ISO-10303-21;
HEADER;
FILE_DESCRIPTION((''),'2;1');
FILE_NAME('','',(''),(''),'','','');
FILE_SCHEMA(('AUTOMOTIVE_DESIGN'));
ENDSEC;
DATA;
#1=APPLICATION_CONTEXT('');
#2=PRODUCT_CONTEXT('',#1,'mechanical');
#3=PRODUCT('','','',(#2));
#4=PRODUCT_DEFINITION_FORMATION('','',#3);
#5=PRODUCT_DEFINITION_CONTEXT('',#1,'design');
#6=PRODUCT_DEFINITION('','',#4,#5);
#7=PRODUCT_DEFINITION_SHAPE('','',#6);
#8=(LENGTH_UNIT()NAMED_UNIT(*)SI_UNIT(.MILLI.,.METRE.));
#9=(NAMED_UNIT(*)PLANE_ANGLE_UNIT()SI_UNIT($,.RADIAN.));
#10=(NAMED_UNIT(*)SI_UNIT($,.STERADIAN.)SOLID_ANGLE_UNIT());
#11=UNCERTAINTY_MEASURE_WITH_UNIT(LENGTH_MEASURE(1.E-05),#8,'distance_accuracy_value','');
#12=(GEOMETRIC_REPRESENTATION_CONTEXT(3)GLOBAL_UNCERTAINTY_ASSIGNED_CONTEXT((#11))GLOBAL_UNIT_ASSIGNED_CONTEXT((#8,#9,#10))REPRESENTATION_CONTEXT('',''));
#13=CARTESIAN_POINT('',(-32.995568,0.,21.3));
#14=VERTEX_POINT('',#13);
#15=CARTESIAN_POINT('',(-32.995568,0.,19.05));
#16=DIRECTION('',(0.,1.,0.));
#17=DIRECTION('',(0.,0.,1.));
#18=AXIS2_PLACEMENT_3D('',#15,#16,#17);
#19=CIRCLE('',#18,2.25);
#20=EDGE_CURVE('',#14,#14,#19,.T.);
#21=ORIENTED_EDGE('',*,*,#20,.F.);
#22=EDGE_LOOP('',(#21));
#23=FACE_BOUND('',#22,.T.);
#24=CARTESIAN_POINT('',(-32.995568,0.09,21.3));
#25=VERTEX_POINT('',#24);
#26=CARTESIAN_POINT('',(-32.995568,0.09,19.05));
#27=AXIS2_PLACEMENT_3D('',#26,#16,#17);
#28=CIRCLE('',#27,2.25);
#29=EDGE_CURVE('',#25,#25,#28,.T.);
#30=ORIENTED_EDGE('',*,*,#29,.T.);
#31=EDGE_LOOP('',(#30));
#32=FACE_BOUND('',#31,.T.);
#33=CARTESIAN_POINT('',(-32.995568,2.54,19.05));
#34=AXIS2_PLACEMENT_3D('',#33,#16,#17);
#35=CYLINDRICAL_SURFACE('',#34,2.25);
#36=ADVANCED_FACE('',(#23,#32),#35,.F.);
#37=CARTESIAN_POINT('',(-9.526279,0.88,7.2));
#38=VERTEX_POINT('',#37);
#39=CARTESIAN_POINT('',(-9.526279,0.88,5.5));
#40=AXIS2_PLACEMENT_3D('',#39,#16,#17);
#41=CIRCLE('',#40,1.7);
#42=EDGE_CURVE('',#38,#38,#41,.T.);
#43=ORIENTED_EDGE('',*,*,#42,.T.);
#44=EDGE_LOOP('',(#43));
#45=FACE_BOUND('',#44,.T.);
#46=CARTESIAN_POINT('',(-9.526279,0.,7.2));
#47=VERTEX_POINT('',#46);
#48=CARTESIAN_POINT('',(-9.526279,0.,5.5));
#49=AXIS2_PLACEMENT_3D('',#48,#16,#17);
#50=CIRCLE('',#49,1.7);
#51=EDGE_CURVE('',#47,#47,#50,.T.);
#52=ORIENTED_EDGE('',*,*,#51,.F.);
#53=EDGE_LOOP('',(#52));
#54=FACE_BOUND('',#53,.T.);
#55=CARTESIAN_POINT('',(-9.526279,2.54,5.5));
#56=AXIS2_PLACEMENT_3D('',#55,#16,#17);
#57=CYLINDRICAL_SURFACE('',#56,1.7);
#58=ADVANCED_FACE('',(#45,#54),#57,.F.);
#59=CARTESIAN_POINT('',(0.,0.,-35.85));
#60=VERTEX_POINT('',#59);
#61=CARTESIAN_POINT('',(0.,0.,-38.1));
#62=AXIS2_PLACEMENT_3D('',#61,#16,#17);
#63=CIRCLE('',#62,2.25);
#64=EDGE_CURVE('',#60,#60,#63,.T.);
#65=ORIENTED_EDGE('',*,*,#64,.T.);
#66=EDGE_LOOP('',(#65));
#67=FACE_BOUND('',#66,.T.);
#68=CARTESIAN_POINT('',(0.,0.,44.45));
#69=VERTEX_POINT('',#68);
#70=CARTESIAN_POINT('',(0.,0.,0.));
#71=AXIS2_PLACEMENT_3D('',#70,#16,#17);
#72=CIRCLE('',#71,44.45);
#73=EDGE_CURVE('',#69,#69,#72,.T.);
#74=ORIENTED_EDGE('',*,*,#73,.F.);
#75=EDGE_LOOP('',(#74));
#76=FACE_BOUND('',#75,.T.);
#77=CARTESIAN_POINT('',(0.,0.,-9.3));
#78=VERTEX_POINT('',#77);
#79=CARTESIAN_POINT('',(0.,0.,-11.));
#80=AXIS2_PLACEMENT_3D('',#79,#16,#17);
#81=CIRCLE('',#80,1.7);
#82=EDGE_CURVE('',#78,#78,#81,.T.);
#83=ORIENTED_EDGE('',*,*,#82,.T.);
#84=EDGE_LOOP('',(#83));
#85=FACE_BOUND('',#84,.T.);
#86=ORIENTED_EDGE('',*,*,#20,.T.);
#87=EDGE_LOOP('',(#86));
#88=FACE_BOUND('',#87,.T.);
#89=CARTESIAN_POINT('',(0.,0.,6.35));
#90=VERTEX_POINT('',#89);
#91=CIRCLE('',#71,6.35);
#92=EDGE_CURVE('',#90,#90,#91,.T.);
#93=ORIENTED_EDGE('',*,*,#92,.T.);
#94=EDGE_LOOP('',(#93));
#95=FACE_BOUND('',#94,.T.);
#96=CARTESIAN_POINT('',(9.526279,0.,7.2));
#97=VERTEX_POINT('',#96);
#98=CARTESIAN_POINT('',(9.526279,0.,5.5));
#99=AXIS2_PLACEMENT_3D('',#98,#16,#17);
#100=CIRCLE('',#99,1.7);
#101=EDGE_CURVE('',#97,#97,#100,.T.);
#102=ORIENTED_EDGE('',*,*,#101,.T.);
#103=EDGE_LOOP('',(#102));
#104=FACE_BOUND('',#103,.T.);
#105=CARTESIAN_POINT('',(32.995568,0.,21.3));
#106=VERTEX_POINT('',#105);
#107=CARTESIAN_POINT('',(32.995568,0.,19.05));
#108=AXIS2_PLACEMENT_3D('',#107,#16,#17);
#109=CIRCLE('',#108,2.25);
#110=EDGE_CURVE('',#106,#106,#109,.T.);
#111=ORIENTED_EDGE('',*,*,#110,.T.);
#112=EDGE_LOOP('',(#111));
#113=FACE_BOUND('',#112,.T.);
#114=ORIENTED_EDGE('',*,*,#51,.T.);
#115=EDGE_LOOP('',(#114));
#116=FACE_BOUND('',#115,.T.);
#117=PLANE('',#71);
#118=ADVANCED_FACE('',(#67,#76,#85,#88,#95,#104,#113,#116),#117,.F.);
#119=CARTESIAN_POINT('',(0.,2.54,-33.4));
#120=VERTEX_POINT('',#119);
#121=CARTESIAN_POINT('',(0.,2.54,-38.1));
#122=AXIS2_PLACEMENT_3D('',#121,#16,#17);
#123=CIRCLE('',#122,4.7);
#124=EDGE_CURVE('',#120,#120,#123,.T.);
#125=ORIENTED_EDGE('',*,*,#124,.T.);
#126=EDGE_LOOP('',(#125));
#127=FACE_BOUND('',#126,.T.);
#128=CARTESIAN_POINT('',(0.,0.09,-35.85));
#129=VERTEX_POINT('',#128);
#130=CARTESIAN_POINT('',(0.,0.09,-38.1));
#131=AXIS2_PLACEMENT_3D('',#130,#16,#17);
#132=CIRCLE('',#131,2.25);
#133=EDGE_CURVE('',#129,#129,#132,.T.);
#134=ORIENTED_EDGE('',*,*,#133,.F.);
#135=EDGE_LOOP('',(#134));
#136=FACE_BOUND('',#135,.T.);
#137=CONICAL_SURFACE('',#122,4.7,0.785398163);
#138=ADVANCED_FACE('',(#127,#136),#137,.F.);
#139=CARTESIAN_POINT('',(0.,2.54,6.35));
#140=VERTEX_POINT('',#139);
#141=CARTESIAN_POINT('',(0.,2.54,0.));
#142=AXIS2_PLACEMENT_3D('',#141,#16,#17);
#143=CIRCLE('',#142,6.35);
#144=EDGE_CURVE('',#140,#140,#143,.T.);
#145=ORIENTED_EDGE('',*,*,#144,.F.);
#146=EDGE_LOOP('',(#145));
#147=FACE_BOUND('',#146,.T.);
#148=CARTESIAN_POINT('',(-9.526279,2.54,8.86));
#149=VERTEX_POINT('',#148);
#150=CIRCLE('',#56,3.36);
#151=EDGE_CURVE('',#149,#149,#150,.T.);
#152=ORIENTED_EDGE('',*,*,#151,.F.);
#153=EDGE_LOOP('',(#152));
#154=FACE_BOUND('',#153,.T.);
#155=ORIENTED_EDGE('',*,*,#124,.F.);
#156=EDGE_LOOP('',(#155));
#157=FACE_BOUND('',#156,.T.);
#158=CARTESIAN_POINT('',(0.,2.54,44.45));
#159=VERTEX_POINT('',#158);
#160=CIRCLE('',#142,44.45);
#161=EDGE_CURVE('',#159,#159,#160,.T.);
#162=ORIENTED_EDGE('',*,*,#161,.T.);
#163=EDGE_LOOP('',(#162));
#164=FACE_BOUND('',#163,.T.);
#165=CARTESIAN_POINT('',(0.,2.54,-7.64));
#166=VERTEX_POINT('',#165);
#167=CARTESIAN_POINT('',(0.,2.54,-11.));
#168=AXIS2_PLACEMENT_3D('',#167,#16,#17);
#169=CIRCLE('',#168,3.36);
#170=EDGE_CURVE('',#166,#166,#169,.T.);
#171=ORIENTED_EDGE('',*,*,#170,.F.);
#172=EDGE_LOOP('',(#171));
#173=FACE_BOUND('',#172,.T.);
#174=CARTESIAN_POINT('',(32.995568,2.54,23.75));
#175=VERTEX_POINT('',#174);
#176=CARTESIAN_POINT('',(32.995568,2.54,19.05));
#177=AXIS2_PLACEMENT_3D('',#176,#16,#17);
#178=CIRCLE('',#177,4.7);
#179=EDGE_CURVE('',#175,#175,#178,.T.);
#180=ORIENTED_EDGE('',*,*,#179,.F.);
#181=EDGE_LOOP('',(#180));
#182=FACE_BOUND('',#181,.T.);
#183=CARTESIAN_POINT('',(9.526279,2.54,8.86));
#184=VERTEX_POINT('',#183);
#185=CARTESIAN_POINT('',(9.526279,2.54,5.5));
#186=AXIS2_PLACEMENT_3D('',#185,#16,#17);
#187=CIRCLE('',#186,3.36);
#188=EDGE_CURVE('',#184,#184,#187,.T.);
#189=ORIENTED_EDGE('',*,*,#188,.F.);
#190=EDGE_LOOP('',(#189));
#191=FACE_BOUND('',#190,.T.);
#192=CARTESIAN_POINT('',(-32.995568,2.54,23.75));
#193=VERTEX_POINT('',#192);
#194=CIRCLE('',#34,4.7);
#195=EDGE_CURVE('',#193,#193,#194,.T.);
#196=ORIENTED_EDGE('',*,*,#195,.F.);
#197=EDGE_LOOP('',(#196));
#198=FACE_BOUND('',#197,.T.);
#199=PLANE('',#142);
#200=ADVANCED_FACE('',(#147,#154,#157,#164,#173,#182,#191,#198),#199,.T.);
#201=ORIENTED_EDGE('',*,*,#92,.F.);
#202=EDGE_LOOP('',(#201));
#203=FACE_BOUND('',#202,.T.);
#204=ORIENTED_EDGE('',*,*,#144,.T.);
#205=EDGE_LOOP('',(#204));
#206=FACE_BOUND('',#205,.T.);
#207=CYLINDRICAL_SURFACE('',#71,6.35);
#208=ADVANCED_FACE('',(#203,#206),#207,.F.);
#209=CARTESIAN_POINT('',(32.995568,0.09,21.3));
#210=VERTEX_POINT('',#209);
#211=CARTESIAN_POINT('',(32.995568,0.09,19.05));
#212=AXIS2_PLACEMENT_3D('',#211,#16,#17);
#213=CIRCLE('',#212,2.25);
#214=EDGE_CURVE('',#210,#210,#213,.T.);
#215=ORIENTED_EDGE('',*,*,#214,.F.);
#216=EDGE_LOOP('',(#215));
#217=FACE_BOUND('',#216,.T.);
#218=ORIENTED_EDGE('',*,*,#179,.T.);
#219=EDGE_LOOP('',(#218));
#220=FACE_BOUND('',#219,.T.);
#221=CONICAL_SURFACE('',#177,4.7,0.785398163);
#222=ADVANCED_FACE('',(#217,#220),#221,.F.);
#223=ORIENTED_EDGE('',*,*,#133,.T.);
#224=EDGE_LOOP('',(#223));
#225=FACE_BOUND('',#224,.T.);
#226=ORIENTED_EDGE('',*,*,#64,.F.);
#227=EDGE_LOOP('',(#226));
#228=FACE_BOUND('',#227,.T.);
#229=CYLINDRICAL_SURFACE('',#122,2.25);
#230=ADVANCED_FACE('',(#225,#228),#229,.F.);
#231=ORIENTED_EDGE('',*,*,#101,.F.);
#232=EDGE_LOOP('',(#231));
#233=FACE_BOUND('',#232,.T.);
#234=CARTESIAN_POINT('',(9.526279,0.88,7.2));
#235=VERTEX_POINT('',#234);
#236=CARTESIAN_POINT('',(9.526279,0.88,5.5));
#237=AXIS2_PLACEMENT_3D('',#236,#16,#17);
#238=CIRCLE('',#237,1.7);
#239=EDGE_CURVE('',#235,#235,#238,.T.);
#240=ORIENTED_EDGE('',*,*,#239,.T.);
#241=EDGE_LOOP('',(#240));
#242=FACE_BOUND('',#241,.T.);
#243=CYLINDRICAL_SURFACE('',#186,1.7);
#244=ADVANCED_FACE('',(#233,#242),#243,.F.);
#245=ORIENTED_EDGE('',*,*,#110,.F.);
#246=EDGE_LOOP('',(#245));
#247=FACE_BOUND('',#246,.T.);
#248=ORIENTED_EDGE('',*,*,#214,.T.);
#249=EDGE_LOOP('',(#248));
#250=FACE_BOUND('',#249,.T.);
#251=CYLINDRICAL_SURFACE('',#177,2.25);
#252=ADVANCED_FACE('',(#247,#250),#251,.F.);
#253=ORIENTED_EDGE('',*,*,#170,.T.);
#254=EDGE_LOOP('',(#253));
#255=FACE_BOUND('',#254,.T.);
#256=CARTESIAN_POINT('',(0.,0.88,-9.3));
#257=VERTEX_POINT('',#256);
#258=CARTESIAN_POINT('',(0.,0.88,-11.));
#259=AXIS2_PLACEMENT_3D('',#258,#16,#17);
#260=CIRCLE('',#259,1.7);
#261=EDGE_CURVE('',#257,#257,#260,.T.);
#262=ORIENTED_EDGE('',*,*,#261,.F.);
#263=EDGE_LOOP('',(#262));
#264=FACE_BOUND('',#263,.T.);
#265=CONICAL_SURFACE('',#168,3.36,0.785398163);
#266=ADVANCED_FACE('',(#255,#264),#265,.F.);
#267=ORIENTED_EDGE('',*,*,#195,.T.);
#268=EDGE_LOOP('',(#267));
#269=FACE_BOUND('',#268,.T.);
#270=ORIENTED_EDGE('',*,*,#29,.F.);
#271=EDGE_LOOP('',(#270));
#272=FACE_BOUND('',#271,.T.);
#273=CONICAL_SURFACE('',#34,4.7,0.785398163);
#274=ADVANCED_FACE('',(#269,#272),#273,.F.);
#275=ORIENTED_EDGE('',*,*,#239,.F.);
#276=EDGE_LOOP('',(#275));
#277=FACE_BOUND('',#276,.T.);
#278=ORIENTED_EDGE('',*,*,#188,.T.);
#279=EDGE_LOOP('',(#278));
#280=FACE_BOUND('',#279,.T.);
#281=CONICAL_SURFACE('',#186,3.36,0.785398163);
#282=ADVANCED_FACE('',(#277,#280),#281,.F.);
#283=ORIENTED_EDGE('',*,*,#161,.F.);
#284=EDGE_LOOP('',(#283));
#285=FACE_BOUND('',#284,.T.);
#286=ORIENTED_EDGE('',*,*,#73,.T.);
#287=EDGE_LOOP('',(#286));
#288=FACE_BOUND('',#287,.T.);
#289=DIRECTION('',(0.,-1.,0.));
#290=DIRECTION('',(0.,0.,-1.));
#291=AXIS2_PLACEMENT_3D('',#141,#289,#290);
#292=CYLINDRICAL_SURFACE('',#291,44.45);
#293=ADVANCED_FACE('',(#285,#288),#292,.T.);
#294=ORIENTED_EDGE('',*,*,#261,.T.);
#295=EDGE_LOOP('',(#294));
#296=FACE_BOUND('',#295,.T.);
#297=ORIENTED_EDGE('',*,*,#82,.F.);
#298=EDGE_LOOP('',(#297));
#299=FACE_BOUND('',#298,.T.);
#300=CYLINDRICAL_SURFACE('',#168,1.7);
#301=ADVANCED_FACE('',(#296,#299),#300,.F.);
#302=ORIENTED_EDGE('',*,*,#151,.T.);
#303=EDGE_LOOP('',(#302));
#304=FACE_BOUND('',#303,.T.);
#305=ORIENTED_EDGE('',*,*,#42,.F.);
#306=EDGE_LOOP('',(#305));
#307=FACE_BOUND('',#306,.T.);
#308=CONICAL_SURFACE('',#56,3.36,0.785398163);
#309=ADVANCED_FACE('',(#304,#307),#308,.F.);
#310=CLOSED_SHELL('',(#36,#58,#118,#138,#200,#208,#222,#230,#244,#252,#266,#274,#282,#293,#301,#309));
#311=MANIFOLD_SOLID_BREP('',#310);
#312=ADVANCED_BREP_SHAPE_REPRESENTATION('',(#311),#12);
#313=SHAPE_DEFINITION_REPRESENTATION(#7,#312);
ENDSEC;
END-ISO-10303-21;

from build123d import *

# Parameters (mm, degrees)
SKETCH1_R                                      = 44.45
BOSS_EXTRUDE1_DEPTH                            = 2.54
CSK_FOR_M4_FLAT_HEAD_MACHINE_SCREW1_AT_2_COUNT = 2
CSK_FOR_M4_FLAT_HEAD_MACHINE_SCREW1_AT_2_PITCH = 65.991135768
CSK_FOR_M4_FLAT_HEAD_MACHINE_SCREW1_AT_3_COUNT = 2
CSK_FOR_M4_FLAT_HEAD_MACHINE_SCREW1_AT_3_PITCH = 65.991135768
SKETCH11_R                                     = 6.35
CUT_EXTRUDE1_DEPTH                             = 63.913087669
CSK_FOR_M3_SFHCS1_AT_2_COUNT                   = 2
CSK_FOR_M3_SFHCS1_AT_2_PITCH                   = 19.052558883
CSK_FOR_M3_SFHCS1_AT_3_COUNT                   = 2
CSK_FOR_M3_SFHCS1_AT_3_PITCH                   = 19.052558883


with BuildPart() as part:
    # Sketch1 → Boss-Extrude1 (new body)
    with BuildSketch(Plane(origin=(0, 0, 0), x_dir=(1, 0, 0), z_dir=(0, 1, 0))):
        with Locations(Location((0, 0, 0), (0, 0, 270))):
            Circle(SKETCH1_R)
    extrude(amount=BOSS_EXTRUDE1_DEPTH)

    # Sketch8 → CSK for M4 Flat Head Machine Screw1 (revolve, cut)
    with BuildSketch(Plane(origin=(0, 2.54, -38.1), x_dir=(0, 0, 1), z_dir=(1, 0, 0))):
        Polygon((0, 0), (0, 2.54), (2.25, 2.54), (2.25, 2.45), (4.7, 0), align=None)
    csk_for_m4_flat_head_machine_screw1 = revolve(axis=Axis((0, 8.89, -38.1), (0, -1, 0)), mode=Mode.SUBTRACT)

    # CSK for M4 Flat Head Machine Screw1 at 2: CSK for M4 Flat Head Machine Screw1 ×2
    with Locations(*[Vector(-0.5000000000000039, 0, 0.8660254037844365) * (i * CSK_FOR_M4_FLAT_HEAD_MACHINE_SCREW1_AT_2_PITCH) for i in range(1, CSK_FOR_M4_FLAT_HEAD_MACHINE_SCREW1_AT_2_COUNT)]):
        add(csk_for_m4_flat_head_machine_screw1, mode=Mode.SUBTRACT)

    # CSK for M4 Flat Head Machine Screw1 at 3: CSK for M4 Flat Head Machine Screw1 ×2
    with Locations(*[Vector(0.4999999999999982, 0, 0.8660254037844397) * (i * CSK_FOR_M4_FLAT_HEAD_MACHINE_SCREW1_AT_3_PITCH) for i in range(1, CSK_FOR_M4_FLAT_HEAD_MACHINE_SCREW1_AT_3_COUNT)]):
        add(csk_for_m4_flat_head_machine_screw1, mode=Mode.SUBTRACT)

    # Sketch11 → Cut-Extrude1 (cut, through all)
    with BuildSketch(Plane(origin=(0, 2.54, 0), x_dir=(1, 0, 0), z_dir=(0, 1, 0))):
        with Locations(Location((0, 0, 0), (0, 0, 270))):
            Circle(SKETCH11_R)
    extrude(amount=-CUT_EXTRUDE1_DEPTH, mode=Mode.SUBTRACT)

    # Sketch13 → CSK for M3 SFHCS1 (revolve, cut)
    with BuildSketch(Plane(origin=(0, 2.54, -11), x_dir=(0, 0, 1), z_dir=(1, 0, 0))):
        Polygon((0, 0), (0, 2.54), (1.7, 2.54), (1.7, 1.66), (3.36, 0), align=None)
    csk_for_m3_sfhcs1 = revolve(axis=Axis((0, 8.89, -11), (0, -1, 0)), mode=Mode.SUBTRACT)

    # CSK for M3 SFHCS1 at 2: CSK for M3 SFHCS1 ×2
    with Locations(*[Vector(-0.5, 0, 0.8660254037844387) * (i * CSK_FOR_M3_SFHCS1_AT_2_PITCH) for i in range(1, CSK_FOR_M3_SFHCS1_AT_2_COUNT)]):
        add(csk_for_m3_sfhcs1, mode=Mode.SUBTRACT)

    # CSK for M3 SFHCS1 at 3: CSK for M3 SFHCS1 ×2
    with Locations(*[Vector(0.5, 0, 0.8660254037844387) * (i * CSK_FOR_M3_SFHCS1_AT_3_PITCH) for i in range(1, CSK_FOR_M3_SFHCS1_AT_3_COUNT)]):
        add(csk_for_m3_sfhcs1, mode=Mode.SUBTRACT)


solid = part.part
